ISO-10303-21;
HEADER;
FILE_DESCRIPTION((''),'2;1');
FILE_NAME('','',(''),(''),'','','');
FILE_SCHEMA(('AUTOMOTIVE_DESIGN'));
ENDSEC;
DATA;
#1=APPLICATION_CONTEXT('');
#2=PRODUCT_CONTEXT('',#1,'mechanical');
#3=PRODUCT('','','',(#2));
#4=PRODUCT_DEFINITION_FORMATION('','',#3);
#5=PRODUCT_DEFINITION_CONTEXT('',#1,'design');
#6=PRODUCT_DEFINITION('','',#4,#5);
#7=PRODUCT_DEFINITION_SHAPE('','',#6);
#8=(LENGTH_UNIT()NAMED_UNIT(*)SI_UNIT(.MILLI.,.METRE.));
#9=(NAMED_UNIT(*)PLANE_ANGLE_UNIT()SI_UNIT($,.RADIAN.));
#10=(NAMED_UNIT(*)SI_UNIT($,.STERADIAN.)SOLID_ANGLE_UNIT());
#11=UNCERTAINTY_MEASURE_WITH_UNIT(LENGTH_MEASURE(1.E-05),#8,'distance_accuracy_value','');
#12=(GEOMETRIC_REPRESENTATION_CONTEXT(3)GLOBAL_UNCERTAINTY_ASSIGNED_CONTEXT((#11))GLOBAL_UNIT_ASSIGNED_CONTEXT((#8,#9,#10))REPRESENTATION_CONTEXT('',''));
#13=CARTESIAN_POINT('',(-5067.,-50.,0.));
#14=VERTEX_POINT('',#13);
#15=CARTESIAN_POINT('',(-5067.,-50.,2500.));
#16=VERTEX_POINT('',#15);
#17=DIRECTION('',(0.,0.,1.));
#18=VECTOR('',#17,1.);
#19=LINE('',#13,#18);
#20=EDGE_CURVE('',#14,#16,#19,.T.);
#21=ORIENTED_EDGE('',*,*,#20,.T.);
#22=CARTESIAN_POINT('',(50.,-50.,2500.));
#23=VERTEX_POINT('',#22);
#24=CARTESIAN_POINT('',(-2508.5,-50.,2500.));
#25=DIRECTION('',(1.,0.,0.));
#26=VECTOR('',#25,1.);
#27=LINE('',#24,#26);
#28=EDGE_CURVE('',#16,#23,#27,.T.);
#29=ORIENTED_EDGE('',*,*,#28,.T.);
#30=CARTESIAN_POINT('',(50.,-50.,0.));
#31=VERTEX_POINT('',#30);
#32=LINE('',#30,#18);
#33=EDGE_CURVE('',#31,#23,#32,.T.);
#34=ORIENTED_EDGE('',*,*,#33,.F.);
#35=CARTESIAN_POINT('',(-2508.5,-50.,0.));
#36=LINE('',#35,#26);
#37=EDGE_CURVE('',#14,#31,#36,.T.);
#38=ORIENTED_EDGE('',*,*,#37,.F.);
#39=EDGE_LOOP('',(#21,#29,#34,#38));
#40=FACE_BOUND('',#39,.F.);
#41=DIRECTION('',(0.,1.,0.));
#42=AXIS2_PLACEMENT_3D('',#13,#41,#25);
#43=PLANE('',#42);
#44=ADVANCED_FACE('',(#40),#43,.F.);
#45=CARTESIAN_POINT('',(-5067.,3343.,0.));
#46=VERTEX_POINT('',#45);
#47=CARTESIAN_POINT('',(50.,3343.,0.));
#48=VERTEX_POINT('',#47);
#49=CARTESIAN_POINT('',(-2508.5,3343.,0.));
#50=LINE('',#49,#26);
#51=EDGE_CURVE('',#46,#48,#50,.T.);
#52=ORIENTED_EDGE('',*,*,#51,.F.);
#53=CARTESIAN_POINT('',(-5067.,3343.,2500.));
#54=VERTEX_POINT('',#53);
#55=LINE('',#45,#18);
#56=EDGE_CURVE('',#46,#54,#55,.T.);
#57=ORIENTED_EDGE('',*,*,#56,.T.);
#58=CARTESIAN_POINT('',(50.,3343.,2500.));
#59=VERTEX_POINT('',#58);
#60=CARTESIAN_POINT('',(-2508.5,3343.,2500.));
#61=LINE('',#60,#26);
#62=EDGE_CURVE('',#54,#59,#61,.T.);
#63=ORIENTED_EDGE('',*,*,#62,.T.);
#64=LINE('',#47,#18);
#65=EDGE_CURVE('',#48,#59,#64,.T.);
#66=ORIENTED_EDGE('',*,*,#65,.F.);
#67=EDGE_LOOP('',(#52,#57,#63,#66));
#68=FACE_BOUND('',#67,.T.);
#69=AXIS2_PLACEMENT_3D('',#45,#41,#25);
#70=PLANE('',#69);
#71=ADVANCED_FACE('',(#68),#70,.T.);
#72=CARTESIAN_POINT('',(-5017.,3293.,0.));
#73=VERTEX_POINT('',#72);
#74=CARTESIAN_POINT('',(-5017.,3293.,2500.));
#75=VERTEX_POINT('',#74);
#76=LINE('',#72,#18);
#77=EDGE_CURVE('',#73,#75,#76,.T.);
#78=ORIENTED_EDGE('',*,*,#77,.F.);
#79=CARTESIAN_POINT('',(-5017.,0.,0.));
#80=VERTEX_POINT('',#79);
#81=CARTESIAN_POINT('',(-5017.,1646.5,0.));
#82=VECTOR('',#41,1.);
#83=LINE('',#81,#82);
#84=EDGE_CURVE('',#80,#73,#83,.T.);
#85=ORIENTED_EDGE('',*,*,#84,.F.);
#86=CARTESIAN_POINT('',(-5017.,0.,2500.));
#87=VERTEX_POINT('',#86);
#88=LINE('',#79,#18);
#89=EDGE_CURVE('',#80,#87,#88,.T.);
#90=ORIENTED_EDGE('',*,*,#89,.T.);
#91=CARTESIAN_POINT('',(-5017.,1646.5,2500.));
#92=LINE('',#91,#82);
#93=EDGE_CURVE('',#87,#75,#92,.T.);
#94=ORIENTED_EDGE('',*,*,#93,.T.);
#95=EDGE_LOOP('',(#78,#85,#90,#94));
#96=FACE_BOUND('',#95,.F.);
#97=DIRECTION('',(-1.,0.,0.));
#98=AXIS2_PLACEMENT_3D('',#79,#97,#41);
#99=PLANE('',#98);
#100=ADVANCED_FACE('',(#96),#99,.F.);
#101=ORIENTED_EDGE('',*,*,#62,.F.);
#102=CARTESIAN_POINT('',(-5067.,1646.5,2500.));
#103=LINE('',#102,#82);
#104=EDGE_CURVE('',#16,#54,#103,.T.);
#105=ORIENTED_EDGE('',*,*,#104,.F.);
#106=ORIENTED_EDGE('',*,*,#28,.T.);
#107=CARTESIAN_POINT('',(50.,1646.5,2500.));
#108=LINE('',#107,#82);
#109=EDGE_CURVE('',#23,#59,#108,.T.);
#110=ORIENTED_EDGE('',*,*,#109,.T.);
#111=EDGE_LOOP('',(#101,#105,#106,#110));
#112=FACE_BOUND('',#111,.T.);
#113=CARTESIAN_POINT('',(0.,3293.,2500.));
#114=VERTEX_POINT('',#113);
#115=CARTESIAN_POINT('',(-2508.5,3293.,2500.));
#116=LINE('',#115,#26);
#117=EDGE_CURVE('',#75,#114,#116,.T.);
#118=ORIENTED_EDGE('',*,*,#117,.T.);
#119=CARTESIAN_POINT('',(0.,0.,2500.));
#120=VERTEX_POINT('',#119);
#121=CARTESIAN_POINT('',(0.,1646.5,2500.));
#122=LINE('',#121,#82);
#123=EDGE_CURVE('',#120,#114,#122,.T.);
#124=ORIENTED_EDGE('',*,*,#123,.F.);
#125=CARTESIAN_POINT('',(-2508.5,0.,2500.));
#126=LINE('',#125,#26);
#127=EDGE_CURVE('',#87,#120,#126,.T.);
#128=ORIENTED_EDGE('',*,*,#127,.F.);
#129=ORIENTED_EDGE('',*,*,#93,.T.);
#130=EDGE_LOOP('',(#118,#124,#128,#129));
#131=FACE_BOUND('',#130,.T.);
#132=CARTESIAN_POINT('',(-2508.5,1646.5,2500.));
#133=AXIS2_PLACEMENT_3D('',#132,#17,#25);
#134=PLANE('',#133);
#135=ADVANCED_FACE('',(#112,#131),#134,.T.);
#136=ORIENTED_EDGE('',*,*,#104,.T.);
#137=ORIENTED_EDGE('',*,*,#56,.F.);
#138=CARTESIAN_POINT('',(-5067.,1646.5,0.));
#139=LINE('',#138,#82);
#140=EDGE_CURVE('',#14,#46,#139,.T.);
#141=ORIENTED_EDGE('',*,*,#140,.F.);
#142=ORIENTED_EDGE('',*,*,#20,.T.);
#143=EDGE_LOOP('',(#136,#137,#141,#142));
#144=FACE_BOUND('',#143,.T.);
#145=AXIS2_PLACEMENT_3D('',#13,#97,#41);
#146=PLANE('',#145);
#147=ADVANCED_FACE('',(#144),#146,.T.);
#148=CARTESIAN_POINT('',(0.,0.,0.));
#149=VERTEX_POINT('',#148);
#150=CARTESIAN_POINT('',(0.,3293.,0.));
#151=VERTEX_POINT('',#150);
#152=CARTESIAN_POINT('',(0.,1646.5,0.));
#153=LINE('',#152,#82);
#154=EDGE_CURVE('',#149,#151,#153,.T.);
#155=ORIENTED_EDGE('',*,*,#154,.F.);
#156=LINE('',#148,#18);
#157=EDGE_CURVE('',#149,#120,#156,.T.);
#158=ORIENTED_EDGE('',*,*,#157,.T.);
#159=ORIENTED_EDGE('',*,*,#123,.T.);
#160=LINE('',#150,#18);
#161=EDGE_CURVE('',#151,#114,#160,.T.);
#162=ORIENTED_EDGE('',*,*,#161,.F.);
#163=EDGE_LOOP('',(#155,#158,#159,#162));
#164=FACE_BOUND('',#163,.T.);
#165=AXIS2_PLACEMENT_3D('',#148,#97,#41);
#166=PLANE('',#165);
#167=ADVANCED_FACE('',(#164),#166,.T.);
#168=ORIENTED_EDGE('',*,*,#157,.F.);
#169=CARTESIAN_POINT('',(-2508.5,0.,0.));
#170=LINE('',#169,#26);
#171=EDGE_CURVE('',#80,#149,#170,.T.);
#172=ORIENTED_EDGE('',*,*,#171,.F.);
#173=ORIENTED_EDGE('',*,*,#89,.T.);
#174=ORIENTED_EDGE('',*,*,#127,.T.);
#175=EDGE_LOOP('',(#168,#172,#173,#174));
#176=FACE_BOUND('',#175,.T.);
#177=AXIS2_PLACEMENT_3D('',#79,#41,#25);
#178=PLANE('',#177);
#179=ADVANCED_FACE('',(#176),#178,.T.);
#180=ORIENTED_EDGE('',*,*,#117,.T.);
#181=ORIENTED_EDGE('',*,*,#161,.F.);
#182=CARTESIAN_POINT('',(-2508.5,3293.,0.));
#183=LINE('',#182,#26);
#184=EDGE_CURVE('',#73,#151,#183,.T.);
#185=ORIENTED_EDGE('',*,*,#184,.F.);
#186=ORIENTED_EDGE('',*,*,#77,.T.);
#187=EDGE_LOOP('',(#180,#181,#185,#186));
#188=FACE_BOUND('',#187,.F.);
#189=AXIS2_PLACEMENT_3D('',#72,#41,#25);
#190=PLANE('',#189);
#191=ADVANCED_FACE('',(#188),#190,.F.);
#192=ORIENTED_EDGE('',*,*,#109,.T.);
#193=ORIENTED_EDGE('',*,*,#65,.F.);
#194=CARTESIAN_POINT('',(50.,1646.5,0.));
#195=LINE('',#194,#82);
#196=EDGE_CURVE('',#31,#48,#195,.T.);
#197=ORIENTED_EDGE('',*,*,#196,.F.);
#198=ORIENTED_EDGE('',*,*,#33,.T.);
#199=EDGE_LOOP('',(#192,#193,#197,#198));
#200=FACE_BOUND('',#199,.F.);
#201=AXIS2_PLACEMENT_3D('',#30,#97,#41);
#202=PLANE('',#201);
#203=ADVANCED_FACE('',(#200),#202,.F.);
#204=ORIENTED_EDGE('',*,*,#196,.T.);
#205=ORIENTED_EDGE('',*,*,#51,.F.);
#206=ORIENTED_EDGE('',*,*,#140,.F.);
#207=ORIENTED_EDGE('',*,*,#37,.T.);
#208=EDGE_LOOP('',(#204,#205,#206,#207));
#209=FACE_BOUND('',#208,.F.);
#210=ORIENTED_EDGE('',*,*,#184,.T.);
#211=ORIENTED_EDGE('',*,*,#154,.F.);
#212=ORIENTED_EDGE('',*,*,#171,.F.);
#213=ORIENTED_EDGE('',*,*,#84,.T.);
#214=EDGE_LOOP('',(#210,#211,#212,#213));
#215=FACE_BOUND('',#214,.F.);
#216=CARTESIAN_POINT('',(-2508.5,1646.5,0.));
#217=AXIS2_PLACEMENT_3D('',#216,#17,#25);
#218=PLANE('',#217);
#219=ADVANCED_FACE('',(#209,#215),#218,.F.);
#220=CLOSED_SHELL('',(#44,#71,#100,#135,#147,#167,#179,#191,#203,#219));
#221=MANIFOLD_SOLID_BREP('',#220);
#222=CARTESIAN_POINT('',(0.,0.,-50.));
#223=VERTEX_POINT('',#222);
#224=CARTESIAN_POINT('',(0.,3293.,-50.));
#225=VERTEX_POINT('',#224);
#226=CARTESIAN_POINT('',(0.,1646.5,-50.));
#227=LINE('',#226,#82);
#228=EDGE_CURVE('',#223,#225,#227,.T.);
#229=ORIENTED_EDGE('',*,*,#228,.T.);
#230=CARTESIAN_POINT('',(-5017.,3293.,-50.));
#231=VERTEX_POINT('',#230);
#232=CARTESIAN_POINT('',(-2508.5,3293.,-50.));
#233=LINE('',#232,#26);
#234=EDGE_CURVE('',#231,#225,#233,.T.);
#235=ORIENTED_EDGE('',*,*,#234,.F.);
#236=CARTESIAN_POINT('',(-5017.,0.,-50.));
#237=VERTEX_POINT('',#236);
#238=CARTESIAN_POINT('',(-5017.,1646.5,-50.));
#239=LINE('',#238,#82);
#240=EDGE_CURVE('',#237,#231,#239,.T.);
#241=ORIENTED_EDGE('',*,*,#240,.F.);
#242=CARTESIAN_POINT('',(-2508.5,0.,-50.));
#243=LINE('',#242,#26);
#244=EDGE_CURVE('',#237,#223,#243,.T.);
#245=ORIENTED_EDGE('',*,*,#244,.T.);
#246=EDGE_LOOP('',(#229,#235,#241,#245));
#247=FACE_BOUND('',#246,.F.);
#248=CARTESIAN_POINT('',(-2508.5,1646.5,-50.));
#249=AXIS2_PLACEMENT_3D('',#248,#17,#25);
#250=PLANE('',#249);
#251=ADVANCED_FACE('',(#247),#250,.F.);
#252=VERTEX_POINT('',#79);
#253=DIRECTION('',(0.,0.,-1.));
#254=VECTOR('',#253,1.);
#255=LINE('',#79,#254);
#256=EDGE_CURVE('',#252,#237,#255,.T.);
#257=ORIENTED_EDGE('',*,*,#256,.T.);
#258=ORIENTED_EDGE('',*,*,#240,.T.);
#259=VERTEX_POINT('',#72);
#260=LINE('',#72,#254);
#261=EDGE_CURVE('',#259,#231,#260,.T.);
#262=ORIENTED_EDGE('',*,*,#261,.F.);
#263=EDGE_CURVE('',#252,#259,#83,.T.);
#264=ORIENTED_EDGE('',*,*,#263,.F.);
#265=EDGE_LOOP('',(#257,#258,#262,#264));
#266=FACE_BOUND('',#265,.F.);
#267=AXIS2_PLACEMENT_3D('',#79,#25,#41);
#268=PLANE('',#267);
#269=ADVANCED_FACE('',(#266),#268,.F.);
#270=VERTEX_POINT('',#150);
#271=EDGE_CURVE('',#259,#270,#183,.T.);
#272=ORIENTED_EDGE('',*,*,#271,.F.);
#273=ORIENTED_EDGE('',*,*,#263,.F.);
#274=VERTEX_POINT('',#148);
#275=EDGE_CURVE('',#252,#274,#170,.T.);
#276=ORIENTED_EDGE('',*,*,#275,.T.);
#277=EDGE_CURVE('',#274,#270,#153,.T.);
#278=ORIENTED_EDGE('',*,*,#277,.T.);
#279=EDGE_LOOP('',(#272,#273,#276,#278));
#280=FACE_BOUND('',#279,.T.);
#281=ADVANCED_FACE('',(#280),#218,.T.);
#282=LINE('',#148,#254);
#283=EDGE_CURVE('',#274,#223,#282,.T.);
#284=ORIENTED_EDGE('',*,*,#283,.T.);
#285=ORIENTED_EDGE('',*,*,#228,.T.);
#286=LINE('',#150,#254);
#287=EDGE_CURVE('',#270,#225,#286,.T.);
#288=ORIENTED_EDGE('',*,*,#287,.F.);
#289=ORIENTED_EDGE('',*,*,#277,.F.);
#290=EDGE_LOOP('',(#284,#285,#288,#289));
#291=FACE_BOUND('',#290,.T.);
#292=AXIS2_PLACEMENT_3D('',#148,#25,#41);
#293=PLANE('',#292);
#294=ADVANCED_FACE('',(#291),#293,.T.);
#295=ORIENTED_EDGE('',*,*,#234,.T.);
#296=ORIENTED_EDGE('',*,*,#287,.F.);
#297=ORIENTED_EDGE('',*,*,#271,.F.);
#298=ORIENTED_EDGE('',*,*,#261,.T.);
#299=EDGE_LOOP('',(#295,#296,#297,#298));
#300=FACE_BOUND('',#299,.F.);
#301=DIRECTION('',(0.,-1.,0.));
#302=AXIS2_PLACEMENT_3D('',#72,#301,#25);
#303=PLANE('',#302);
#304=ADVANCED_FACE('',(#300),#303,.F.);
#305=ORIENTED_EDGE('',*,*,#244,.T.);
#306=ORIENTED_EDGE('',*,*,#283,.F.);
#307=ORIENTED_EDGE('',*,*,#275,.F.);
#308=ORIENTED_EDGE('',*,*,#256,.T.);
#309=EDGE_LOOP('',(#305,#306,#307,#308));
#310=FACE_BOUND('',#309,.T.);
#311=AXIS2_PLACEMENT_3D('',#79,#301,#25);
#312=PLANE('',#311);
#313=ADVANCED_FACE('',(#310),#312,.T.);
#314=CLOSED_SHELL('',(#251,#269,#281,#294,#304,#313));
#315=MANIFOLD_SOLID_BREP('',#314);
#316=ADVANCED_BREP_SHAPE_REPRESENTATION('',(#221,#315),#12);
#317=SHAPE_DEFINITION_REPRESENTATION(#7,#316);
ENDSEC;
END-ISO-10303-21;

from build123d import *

# Parameters (mm, degrees)
F0_W     = 5017
F0_H     = 3293
F1_DEPTH = 50
F2_W     = 5117
F2_H     = 3393
F2_W_2   = 5017
F2_H_2   = 3293
F3_DEPTH = 2500


with BuildPart() as f1:
    # F0 (on Top) → F1 (new body)
    with BuildSketch(Plane.XY):
        with Locations((-2508.5, 1646.5)):
            Rectangle(F0_W, F0_H)
    extrude(amount=-F1_DEPTH)


with BuildPart() as f3:
    # F2 (on face) → F3 (new body)
    with BuildSketch(Plane.XY):
        with Locations((-2508.5, 1646.5)):
            Rectangle(F2_W, F2_H)
        with Locations((-2508.5, 1646.5)):
            Rectangle(F2_W_2, F2_H_2, mode=Mode.SUBTRACT)
    extrude(amount=F3_DEPTH)


solid = Compound([f1.part, f3.part])
